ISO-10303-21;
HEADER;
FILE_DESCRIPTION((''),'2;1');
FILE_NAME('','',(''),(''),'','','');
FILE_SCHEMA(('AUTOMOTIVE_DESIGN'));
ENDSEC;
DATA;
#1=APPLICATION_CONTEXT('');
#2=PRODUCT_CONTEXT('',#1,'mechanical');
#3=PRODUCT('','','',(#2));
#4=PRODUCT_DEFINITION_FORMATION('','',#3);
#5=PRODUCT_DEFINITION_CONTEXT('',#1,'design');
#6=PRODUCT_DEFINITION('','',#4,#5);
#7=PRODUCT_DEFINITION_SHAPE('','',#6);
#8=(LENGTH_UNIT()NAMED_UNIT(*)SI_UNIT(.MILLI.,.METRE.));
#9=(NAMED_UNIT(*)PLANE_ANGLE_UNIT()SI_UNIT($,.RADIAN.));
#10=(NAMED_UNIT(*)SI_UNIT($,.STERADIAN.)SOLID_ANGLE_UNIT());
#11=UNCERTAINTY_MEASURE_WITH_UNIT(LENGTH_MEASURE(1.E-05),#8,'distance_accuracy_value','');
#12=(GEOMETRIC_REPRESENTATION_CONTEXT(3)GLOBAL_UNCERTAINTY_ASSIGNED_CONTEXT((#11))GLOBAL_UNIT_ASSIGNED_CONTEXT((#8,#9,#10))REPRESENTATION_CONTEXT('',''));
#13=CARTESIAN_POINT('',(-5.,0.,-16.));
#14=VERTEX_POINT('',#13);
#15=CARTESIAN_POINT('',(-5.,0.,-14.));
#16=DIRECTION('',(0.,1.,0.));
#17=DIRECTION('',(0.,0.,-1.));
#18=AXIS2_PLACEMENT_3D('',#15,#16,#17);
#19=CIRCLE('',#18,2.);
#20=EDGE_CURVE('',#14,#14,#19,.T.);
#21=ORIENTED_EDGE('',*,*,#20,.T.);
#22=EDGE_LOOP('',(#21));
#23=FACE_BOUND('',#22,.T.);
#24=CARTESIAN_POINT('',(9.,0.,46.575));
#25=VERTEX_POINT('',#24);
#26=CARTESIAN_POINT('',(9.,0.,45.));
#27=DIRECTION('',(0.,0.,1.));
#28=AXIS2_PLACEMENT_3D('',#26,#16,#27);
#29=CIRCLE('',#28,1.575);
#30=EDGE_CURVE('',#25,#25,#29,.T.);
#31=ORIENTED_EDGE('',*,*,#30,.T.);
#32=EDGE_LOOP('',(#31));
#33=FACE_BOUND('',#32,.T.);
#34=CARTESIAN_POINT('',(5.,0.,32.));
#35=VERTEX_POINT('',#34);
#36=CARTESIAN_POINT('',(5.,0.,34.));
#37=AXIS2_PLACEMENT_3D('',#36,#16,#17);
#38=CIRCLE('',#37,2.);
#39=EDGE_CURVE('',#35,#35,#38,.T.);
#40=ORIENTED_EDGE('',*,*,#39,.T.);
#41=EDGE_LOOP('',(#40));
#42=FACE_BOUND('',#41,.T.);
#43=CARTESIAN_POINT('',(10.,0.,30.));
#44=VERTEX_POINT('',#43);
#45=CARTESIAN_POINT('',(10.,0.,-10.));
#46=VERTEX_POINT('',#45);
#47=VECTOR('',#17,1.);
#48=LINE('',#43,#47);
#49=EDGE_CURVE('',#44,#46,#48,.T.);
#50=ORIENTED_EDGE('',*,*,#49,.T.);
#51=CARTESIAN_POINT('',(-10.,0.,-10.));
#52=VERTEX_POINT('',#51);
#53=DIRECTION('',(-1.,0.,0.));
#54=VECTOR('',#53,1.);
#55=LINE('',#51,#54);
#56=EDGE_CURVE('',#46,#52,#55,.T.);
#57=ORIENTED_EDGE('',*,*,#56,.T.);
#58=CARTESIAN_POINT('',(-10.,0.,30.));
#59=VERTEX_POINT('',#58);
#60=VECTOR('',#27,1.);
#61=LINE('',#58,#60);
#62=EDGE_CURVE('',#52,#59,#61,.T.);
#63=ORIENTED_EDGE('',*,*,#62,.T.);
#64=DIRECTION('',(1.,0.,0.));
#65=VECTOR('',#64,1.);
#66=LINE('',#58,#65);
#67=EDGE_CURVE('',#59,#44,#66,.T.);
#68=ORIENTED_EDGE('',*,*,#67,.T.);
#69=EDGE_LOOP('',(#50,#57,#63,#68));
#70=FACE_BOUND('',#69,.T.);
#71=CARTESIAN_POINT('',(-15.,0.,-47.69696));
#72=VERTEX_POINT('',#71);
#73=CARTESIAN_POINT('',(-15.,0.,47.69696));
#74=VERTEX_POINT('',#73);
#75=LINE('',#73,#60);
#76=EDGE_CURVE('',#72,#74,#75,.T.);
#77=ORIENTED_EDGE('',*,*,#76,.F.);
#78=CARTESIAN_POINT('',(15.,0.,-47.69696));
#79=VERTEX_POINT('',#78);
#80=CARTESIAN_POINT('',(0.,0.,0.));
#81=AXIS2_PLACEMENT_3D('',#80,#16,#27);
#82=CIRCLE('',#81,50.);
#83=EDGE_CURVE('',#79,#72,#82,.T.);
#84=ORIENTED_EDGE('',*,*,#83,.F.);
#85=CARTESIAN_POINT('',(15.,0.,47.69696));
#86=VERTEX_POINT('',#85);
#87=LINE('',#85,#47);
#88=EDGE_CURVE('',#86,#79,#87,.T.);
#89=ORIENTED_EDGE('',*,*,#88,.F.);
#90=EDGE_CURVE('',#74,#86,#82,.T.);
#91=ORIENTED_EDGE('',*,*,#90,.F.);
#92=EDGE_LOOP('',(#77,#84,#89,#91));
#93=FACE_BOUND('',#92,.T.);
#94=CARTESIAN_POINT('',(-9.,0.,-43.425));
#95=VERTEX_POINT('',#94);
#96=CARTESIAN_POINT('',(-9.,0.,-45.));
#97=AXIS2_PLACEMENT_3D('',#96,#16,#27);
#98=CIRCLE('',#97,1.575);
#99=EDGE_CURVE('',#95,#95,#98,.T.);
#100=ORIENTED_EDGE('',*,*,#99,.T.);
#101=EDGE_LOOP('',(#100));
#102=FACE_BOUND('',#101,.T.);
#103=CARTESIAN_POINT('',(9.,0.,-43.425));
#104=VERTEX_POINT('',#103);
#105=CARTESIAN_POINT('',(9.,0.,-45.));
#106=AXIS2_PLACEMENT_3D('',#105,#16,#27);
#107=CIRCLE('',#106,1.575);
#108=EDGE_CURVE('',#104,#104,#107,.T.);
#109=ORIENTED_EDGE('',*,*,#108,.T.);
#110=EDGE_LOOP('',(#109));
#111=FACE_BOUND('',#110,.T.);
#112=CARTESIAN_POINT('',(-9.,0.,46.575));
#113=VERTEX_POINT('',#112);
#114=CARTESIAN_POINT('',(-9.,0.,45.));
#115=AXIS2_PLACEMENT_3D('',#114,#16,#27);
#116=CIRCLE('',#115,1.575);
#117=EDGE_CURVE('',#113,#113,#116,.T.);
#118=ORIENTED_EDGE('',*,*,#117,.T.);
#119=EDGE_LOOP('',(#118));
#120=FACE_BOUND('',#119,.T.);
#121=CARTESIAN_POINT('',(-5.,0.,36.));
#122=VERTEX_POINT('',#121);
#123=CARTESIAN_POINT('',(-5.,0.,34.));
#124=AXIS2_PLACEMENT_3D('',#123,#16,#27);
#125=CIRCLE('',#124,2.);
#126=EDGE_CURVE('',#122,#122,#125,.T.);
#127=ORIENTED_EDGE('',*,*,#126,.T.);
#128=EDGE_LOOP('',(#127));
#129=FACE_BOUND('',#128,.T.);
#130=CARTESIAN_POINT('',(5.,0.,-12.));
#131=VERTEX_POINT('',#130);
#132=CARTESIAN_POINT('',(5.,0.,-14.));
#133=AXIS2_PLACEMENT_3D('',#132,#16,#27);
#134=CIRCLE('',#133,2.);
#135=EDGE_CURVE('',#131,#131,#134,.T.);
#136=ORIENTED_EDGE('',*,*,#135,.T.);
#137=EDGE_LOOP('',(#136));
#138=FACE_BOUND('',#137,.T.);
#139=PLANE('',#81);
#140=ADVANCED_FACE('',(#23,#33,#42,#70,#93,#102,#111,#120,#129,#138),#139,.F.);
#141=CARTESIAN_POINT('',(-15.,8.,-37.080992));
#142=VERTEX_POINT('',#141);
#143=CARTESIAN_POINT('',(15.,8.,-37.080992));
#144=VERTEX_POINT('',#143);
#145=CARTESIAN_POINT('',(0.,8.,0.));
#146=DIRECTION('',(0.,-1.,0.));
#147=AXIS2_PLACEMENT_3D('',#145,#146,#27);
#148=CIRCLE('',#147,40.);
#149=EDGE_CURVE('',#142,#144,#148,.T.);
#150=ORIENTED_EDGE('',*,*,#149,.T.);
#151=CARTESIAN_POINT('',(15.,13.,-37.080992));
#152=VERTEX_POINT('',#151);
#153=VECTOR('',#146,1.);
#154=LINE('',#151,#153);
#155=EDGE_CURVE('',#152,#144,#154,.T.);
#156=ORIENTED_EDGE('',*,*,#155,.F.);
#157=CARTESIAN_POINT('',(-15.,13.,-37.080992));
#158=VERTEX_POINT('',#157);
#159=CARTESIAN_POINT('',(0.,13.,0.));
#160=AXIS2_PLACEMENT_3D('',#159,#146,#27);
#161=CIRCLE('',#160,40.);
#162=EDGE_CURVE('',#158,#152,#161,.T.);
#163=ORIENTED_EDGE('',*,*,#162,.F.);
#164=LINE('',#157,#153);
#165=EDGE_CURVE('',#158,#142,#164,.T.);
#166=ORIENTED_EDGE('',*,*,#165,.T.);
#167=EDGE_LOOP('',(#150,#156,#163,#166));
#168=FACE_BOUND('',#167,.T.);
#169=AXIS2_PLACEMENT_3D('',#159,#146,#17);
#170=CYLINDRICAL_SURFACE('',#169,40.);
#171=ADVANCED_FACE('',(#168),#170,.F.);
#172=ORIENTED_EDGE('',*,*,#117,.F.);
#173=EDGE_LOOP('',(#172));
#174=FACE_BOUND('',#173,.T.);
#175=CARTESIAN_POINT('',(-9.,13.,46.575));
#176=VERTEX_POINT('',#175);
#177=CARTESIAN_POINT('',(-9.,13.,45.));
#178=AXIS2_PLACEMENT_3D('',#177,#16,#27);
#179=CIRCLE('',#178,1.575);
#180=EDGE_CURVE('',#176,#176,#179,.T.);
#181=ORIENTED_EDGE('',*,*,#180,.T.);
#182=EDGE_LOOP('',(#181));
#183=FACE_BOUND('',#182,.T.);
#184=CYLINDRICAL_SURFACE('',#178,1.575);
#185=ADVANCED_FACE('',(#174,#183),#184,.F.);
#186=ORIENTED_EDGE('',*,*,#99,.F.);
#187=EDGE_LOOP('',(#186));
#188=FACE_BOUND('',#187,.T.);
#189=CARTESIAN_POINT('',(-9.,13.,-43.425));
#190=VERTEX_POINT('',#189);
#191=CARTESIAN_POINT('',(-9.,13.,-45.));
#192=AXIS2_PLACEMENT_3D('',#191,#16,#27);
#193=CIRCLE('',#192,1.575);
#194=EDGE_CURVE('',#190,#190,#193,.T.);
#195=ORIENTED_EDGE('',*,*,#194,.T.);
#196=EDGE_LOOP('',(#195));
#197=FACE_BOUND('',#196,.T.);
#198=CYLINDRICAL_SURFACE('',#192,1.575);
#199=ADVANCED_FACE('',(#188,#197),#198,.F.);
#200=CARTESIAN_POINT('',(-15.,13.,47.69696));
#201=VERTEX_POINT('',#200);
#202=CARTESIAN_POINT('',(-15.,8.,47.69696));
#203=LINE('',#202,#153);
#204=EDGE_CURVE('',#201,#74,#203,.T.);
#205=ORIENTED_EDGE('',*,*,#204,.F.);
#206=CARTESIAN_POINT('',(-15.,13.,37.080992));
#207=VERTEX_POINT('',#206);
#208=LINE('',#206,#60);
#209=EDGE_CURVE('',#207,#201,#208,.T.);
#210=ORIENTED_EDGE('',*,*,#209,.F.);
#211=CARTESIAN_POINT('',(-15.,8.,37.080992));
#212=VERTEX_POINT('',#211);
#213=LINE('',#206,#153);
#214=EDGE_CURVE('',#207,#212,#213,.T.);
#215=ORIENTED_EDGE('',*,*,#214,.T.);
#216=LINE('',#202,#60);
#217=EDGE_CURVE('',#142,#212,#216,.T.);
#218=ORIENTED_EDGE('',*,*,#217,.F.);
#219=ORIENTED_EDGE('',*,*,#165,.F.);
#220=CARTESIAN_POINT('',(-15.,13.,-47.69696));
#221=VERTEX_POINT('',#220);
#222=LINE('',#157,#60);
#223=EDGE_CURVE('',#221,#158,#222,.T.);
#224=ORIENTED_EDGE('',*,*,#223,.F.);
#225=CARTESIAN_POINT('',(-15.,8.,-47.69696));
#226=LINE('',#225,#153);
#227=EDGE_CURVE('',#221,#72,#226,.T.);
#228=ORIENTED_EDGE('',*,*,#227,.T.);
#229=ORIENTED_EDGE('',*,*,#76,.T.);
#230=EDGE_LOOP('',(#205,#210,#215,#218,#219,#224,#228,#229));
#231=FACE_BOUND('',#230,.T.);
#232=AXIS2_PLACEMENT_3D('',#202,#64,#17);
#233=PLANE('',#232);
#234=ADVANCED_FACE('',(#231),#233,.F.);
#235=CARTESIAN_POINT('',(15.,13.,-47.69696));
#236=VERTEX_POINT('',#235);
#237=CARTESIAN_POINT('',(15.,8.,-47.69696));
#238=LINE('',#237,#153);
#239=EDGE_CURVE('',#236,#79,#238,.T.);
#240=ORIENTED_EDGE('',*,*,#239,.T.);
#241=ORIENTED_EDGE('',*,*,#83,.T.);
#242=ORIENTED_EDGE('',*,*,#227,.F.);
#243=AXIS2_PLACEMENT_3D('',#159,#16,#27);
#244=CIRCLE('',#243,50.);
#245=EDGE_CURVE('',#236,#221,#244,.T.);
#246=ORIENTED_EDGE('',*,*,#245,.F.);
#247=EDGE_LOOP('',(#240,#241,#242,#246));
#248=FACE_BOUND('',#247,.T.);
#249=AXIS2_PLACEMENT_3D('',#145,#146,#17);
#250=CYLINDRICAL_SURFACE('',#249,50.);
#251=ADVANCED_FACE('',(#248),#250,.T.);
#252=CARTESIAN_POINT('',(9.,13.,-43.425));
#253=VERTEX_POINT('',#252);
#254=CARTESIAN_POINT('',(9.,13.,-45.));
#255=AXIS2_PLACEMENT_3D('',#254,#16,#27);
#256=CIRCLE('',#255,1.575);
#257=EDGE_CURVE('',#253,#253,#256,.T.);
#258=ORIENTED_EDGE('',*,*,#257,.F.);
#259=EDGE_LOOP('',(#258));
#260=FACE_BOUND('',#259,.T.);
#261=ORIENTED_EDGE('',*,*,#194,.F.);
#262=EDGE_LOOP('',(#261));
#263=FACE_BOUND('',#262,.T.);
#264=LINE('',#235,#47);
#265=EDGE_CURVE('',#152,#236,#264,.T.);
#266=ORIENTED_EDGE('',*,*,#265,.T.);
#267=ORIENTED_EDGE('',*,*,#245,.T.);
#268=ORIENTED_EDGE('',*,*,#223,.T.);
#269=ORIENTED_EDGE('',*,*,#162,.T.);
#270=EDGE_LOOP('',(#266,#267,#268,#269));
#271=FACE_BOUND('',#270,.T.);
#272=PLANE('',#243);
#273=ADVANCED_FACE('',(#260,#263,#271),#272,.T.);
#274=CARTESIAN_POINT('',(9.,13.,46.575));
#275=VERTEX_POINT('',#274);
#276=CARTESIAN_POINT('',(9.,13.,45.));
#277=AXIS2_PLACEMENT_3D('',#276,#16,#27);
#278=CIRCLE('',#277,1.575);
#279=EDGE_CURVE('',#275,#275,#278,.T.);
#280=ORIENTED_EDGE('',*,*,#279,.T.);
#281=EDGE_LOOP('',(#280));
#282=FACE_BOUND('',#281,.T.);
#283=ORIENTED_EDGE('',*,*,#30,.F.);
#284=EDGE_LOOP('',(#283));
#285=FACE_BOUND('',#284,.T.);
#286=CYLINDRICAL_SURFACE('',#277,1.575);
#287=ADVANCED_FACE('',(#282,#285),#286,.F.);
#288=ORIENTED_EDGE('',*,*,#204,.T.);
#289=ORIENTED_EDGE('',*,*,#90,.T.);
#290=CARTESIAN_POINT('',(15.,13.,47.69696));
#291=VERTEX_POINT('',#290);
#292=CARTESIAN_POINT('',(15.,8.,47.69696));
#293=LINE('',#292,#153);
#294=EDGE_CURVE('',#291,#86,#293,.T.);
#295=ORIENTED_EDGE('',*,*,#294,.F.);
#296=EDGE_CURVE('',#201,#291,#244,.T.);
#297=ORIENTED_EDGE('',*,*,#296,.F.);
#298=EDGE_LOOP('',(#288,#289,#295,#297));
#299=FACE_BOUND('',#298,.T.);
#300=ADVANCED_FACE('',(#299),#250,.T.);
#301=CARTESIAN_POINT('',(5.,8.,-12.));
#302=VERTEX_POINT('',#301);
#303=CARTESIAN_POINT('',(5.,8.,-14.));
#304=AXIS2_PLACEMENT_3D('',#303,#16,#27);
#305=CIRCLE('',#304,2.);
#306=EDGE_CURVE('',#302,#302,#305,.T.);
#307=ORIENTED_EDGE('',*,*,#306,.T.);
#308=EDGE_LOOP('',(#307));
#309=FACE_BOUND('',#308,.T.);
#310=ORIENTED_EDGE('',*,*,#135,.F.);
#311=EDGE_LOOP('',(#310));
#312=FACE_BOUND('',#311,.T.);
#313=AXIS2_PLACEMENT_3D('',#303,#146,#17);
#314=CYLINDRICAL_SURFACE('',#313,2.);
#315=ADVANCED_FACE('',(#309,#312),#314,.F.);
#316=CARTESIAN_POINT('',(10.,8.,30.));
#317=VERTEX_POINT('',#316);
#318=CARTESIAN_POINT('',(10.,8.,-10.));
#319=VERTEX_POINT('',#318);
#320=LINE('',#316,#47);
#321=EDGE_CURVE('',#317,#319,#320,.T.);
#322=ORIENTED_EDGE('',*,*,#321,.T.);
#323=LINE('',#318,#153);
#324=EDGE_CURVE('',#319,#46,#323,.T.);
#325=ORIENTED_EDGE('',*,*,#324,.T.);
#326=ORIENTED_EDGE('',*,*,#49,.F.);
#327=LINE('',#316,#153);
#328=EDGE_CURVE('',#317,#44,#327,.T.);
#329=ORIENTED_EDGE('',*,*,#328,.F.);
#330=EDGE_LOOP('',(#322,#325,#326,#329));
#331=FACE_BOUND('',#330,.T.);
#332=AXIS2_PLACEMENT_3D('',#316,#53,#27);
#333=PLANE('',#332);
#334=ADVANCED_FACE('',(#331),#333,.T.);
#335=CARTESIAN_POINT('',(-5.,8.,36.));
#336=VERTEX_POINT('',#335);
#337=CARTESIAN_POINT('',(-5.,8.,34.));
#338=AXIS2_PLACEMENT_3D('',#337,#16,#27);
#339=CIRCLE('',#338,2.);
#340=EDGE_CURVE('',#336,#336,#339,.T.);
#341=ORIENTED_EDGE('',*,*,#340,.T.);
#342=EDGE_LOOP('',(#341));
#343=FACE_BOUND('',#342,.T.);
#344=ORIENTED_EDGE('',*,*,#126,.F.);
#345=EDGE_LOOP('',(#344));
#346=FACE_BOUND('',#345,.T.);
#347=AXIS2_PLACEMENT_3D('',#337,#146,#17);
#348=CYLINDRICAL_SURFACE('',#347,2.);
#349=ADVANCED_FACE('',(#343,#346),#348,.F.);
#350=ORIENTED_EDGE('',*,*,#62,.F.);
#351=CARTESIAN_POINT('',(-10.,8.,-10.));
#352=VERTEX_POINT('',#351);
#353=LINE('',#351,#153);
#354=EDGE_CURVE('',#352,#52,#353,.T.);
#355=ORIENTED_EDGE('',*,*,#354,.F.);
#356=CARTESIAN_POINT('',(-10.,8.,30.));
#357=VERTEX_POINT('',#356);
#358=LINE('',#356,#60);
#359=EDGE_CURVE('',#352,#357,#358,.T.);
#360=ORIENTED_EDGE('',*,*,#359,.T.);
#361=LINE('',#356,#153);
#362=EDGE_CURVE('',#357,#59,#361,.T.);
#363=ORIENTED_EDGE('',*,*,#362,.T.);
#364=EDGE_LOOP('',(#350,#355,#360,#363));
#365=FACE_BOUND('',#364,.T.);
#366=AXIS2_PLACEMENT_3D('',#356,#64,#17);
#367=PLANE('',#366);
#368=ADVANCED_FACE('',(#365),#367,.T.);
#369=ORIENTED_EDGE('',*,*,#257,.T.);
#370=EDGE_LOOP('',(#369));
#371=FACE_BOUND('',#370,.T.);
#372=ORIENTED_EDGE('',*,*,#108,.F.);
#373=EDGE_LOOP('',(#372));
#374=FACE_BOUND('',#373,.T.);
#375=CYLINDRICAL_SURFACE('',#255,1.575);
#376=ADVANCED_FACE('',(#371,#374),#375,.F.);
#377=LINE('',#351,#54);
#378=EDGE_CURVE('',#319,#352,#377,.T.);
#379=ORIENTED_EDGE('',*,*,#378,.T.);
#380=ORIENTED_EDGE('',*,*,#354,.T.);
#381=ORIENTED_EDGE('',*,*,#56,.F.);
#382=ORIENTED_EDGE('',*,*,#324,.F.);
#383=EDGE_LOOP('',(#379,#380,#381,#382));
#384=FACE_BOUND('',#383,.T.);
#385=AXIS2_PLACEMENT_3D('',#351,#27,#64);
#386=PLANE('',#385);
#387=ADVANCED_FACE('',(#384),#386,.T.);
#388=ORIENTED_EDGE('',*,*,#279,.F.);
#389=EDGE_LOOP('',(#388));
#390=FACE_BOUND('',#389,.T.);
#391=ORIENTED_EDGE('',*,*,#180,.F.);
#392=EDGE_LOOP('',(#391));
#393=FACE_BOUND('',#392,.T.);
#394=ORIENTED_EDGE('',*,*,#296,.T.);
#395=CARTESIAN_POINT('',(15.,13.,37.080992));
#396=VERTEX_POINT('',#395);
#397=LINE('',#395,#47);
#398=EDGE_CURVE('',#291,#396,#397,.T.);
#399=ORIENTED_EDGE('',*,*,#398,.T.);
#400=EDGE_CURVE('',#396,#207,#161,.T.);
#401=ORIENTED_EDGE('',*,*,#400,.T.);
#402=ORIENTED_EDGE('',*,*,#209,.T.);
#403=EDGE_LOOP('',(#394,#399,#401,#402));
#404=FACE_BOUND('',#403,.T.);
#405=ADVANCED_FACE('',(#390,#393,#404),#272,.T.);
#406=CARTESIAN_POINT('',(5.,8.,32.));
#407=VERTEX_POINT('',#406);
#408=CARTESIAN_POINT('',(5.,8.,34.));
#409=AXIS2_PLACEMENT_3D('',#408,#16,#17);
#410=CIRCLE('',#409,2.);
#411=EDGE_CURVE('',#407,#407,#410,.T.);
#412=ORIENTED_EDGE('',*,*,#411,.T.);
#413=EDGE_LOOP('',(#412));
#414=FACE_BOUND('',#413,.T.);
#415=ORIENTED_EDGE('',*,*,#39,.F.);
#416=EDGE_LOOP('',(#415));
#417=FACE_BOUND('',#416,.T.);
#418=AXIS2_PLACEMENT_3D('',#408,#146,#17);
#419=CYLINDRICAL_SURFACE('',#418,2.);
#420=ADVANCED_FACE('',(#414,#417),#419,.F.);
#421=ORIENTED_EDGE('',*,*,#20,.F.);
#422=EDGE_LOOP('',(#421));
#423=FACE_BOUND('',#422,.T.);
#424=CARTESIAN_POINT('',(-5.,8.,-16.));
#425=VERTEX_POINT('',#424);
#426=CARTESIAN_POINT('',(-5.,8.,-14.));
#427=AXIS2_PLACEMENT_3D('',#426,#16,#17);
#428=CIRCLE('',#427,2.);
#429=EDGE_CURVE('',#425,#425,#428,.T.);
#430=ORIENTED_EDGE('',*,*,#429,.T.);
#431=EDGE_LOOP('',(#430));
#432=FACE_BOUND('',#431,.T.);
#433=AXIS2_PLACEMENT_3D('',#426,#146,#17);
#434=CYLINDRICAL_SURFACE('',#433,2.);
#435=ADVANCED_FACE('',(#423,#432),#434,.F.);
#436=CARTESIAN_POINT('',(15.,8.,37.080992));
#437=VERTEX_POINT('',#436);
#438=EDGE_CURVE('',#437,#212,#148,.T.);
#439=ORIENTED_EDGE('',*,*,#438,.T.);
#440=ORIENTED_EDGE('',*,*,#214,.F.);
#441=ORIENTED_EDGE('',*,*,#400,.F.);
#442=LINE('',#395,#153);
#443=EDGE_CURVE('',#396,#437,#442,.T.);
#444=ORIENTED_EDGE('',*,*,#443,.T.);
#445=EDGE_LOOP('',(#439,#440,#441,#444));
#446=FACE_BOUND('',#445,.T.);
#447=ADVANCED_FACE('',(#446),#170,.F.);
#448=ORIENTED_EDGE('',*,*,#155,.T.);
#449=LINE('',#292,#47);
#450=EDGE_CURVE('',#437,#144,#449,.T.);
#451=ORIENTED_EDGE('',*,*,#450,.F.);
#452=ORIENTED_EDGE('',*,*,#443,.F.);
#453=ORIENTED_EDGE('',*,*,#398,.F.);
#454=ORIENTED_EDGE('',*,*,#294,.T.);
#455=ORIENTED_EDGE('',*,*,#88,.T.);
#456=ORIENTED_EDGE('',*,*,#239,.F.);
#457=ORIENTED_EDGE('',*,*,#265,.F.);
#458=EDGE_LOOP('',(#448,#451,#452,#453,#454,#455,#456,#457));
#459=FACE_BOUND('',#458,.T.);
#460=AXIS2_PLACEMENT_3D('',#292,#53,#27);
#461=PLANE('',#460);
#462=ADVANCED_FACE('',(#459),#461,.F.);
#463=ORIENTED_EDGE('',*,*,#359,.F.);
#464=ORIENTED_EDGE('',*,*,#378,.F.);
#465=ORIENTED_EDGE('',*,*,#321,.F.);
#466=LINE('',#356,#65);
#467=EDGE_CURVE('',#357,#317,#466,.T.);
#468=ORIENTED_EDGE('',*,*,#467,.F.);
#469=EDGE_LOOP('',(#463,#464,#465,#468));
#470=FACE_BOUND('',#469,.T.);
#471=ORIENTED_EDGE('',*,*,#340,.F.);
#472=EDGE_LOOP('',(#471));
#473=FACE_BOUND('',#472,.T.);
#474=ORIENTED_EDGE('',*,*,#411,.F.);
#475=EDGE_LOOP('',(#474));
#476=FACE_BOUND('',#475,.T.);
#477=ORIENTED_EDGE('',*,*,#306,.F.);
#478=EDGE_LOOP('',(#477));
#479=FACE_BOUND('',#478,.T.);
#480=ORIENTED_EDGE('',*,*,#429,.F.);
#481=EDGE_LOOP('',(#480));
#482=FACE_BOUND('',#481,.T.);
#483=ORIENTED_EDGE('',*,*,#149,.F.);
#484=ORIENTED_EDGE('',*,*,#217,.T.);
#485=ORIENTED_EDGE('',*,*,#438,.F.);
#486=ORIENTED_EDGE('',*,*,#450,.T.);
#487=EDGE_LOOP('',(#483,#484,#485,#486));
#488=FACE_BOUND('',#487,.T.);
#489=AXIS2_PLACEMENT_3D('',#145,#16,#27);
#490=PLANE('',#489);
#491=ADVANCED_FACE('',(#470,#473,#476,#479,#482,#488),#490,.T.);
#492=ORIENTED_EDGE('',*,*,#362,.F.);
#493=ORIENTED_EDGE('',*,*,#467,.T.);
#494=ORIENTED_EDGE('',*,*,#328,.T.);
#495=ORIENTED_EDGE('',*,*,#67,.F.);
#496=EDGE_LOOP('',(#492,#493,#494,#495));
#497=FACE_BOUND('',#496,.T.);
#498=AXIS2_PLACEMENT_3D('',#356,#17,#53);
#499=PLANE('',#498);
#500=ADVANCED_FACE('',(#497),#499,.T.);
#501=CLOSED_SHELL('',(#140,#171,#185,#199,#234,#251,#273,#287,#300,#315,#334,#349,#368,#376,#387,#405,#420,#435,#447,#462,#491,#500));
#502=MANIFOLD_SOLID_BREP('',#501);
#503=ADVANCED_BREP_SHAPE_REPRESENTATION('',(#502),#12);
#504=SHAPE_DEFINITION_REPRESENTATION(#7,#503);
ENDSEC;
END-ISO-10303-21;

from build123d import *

# Parameters (mm, degrees)
SKETCH_1_R                  = 2
SKETCH_1_W                  = 20
SKETCH_1_H                  = 40
EXTRUDE_1_DEPTH             = 8
EXTRUDE_2_DEPTH             = 5
HOLE_WIZARD_M31_D           = 3.15
PATTERN_LINEAR_1_COUNT      = 2
PATTERN_LINEAR_1_PITCH      = 18
PATTERN_LINEAR_1_COUNT_DIR2 = 2
PATTERN_LINEAR_1_PITCH_DIR2 = 90


with BuildPart() as part:
    # Эскиз1 → Бобышка-Вытянуть1 (new body)
    with BuildSketch(Plane(origin=(0, 0, 0), x_dir=(1, 0, 0), z_dir=(0, 1, 0))):
        with BuildLine():
            Line((-15, -47.696960071), (-15, 47.696960071))
            ThreePointArc((-15, 47.696960071), (0, 50), (15, 47.696960071))
            Line((15, 47.696960071), (15, -47.696960071))
            ThreePointArc((15, -47.696960071), (0, -50), (-15, -47.696960071))
        make_face()
        with Locations(Location((-5, -34, 0), (0, 0, 270))):
            Circle(SKETCH_1_R, mode=Mode.SUBTRACT)
        with Locations(Location((5, -34, 0), (0, 0, 90))):
            Circle(SKETCH_1_R, mode=Mode.SUBTRACT)
        with Locations(Location((5, 14, 0), (0, 0, 270))):
            Circle(SKETCH_1_R, mode=Mode.SUBTRACT)
        with Locations(Location((-5, 14, 0), (0, 0, 90))):
            Circle(SKETCH_1_R, mode=Mode.SUBTRACT)
        with Locations((0, -10)):
            Rectangle(SKETCH_1_W, SKETCH_1_H, mode=Mode.SUBTRACT)
    extrude(amount=EXTRUDE_1_DEPTH)

    # Эскиз2 → Бобышка-Вытянуть2 (add)
    with BuildSketch(Plane(origin=(0, 8, 0), x_dir=(1, 0, 0), z_dir=(0, 1, 0))):
        with BuildLine():
            Line((-15, 37.080992435), (-15, 47.696960071))
            ThreePointArc((-15, 47.696960071), (0, 50), (15, 47.696960071))
            Line((15, 47.696960071), (15, 37.080992435))
            ThreePointArc((15, 37.080992435), (0, 40), (-15, 37.080992435))
        make_face()
        with BuildLine():
            Line((-15, -37.080992435), (-15, -47.696960071))
            ThreePointArc((-15, -47.696960071), (0, -50), (15, -47.696960071))
            Line((15, -47.696960071), (15, -37.080992435))
            ThreePointArc((15, -37.080992435), (0, -40), (-15, -37.080992435))
        make_face()
    extrude(amount=EXTRUDE_2_DEPTH)

    # Сверло под метчик  спиральное M31 (through all)
    with Locations(Plane(origin=(0, 13, 0), x_dir=(1, 0, 0), z_dir=(0, 1, 0))):
        with Locations((-9, -45)):
            hole_wizard_m31 = Hole(HOLE_WIZARD_M31_D / 2)

    # Линейный массив1: Hole Wizard M31 2 × 2
    with Locations(*[(i * PATTERN_LINEAR_1_PITCH, 0, -j * PATTERN_LINEAR_1_PITCH_DIR2) for i in range(PATTERN_LINEAR_1_COUNT) for j in range(PATTERN_LINEAR_1_COUNT_DIR2) if (i, j) != (0, 0)]):
        add(hole_wizard_m31, mode=Mode.SUBTRACT)


solid = part.part
